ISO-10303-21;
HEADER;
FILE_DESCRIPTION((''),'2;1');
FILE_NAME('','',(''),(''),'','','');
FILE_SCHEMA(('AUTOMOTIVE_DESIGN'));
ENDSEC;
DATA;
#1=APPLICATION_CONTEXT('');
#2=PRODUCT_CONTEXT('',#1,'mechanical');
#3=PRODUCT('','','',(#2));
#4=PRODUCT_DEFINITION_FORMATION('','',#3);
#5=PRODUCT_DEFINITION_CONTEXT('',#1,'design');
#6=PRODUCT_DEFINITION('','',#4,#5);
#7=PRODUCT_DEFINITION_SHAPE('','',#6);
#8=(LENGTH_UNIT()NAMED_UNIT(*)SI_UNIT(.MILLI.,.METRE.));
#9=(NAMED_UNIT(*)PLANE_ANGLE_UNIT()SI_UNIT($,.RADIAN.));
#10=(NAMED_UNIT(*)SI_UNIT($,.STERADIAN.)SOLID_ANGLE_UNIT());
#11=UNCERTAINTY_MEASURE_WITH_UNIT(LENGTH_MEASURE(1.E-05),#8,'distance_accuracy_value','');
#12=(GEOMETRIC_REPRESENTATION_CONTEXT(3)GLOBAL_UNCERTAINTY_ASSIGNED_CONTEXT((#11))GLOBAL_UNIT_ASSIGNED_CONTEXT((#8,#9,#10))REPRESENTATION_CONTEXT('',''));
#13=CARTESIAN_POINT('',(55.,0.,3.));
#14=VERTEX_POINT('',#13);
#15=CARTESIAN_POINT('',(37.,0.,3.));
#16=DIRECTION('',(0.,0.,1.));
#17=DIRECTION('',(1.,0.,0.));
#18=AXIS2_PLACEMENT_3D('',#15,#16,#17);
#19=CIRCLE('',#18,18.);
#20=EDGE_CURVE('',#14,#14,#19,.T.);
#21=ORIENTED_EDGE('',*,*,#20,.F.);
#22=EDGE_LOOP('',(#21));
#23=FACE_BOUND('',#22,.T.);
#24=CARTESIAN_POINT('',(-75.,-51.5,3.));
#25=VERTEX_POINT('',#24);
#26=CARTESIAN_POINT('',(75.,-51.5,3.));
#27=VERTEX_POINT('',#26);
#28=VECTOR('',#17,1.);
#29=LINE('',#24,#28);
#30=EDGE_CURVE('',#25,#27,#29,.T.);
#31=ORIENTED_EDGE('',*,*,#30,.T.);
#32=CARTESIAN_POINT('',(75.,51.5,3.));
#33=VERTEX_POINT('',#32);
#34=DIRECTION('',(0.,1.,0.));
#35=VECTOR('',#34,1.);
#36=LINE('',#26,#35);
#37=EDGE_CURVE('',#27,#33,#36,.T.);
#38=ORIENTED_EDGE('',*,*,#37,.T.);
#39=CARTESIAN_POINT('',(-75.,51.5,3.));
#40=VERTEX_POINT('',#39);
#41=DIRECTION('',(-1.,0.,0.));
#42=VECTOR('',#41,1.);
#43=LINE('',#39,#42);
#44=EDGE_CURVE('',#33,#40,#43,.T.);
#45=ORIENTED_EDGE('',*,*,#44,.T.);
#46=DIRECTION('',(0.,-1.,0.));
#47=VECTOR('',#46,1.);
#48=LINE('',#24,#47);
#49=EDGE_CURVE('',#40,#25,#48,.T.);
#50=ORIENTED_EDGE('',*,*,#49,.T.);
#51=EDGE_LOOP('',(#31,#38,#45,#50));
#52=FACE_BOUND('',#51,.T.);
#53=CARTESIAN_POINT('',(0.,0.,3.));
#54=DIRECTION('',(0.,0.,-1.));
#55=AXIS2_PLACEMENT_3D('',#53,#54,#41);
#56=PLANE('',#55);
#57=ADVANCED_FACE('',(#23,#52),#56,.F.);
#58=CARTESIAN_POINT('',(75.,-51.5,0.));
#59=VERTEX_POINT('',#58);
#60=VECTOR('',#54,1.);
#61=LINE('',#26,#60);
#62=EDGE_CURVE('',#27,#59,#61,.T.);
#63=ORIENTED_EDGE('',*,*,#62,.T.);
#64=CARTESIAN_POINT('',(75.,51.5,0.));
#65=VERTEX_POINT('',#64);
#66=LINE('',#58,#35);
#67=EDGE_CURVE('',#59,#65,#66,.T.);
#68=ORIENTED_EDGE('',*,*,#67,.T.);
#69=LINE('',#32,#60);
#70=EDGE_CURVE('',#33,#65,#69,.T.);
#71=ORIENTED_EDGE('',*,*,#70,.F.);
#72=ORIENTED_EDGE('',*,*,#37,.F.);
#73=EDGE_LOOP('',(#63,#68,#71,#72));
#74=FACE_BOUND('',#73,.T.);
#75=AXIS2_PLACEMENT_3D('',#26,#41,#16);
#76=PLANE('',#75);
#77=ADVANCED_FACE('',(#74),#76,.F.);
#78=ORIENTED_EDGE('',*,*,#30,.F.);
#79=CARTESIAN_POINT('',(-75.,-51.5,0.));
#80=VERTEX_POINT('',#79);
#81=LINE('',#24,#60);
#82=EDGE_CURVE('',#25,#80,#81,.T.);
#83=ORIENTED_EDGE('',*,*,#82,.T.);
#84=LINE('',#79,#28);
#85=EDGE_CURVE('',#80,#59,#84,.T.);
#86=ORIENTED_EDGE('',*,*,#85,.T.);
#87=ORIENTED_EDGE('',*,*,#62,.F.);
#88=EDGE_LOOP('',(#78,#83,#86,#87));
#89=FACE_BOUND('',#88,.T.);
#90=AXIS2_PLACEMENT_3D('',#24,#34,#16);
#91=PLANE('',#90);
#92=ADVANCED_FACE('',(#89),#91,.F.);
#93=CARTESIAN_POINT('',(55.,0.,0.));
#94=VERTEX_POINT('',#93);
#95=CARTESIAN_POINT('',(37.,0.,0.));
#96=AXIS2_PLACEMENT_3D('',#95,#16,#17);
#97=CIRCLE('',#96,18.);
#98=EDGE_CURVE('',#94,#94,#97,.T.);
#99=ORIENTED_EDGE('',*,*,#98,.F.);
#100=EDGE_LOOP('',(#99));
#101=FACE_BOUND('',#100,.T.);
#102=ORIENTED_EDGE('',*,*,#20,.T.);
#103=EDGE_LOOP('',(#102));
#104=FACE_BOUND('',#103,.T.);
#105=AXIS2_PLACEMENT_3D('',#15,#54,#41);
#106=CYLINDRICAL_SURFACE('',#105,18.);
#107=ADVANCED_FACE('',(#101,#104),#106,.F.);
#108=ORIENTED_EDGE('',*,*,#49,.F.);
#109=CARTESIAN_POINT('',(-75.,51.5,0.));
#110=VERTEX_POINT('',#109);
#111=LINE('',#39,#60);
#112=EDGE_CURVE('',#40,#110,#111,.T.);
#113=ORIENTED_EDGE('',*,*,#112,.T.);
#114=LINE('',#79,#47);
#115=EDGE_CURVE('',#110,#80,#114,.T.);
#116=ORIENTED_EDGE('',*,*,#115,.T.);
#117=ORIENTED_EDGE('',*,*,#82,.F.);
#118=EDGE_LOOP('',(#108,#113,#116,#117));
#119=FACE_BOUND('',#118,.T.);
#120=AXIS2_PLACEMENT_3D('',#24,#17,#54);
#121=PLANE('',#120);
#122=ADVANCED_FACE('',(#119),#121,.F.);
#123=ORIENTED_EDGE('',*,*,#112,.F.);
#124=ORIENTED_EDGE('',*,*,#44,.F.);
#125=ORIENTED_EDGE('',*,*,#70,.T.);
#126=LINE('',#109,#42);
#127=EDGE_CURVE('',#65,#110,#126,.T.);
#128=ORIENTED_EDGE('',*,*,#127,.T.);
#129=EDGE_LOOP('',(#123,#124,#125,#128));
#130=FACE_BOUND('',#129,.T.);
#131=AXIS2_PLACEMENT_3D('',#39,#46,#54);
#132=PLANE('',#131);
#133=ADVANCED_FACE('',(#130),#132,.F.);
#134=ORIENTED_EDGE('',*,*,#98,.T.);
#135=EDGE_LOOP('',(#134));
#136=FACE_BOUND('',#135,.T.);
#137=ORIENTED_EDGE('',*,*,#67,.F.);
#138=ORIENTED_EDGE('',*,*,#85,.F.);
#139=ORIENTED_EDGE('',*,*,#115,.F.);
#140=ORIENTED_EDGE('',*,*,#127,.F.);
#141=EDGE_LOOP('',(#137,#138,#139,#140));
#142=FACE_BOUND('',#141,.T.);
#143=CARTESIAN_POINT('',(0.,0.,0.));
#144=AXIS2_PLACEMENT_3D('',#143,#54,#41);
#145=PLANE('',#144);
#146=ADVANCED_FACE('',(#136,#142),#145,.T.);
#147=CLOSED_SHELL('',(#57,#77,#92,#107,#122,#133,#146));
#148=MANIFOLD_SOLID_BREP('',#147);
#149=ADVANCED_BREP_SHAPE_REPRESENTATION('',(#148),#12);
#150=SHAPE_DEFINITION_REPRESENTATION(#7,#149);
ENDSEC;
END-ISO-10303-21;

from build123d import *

# Parameters (mm, degrees)
CROQUIS1_W              = 150
CROQUIS1_H              = 103
CROQUIS1_R              = 18
SALIENTE_EXTRUIR1_DEPTH = 3


with BuildPart() as part:
    # Croquis1 → Saliente-Extruir1 (new body)
    with BuildSketch(Plane.XY):
        Rectangle(CROQUIS1_W, CROQUIS1_H)
        with Locations((37, 0)):
            Circle(CROQUIS1_R, mode=Mode.SUBTRACT)
    extrude(amount=SALIENTE_EXTRUIR1_DEPTH)


solid = part.part
